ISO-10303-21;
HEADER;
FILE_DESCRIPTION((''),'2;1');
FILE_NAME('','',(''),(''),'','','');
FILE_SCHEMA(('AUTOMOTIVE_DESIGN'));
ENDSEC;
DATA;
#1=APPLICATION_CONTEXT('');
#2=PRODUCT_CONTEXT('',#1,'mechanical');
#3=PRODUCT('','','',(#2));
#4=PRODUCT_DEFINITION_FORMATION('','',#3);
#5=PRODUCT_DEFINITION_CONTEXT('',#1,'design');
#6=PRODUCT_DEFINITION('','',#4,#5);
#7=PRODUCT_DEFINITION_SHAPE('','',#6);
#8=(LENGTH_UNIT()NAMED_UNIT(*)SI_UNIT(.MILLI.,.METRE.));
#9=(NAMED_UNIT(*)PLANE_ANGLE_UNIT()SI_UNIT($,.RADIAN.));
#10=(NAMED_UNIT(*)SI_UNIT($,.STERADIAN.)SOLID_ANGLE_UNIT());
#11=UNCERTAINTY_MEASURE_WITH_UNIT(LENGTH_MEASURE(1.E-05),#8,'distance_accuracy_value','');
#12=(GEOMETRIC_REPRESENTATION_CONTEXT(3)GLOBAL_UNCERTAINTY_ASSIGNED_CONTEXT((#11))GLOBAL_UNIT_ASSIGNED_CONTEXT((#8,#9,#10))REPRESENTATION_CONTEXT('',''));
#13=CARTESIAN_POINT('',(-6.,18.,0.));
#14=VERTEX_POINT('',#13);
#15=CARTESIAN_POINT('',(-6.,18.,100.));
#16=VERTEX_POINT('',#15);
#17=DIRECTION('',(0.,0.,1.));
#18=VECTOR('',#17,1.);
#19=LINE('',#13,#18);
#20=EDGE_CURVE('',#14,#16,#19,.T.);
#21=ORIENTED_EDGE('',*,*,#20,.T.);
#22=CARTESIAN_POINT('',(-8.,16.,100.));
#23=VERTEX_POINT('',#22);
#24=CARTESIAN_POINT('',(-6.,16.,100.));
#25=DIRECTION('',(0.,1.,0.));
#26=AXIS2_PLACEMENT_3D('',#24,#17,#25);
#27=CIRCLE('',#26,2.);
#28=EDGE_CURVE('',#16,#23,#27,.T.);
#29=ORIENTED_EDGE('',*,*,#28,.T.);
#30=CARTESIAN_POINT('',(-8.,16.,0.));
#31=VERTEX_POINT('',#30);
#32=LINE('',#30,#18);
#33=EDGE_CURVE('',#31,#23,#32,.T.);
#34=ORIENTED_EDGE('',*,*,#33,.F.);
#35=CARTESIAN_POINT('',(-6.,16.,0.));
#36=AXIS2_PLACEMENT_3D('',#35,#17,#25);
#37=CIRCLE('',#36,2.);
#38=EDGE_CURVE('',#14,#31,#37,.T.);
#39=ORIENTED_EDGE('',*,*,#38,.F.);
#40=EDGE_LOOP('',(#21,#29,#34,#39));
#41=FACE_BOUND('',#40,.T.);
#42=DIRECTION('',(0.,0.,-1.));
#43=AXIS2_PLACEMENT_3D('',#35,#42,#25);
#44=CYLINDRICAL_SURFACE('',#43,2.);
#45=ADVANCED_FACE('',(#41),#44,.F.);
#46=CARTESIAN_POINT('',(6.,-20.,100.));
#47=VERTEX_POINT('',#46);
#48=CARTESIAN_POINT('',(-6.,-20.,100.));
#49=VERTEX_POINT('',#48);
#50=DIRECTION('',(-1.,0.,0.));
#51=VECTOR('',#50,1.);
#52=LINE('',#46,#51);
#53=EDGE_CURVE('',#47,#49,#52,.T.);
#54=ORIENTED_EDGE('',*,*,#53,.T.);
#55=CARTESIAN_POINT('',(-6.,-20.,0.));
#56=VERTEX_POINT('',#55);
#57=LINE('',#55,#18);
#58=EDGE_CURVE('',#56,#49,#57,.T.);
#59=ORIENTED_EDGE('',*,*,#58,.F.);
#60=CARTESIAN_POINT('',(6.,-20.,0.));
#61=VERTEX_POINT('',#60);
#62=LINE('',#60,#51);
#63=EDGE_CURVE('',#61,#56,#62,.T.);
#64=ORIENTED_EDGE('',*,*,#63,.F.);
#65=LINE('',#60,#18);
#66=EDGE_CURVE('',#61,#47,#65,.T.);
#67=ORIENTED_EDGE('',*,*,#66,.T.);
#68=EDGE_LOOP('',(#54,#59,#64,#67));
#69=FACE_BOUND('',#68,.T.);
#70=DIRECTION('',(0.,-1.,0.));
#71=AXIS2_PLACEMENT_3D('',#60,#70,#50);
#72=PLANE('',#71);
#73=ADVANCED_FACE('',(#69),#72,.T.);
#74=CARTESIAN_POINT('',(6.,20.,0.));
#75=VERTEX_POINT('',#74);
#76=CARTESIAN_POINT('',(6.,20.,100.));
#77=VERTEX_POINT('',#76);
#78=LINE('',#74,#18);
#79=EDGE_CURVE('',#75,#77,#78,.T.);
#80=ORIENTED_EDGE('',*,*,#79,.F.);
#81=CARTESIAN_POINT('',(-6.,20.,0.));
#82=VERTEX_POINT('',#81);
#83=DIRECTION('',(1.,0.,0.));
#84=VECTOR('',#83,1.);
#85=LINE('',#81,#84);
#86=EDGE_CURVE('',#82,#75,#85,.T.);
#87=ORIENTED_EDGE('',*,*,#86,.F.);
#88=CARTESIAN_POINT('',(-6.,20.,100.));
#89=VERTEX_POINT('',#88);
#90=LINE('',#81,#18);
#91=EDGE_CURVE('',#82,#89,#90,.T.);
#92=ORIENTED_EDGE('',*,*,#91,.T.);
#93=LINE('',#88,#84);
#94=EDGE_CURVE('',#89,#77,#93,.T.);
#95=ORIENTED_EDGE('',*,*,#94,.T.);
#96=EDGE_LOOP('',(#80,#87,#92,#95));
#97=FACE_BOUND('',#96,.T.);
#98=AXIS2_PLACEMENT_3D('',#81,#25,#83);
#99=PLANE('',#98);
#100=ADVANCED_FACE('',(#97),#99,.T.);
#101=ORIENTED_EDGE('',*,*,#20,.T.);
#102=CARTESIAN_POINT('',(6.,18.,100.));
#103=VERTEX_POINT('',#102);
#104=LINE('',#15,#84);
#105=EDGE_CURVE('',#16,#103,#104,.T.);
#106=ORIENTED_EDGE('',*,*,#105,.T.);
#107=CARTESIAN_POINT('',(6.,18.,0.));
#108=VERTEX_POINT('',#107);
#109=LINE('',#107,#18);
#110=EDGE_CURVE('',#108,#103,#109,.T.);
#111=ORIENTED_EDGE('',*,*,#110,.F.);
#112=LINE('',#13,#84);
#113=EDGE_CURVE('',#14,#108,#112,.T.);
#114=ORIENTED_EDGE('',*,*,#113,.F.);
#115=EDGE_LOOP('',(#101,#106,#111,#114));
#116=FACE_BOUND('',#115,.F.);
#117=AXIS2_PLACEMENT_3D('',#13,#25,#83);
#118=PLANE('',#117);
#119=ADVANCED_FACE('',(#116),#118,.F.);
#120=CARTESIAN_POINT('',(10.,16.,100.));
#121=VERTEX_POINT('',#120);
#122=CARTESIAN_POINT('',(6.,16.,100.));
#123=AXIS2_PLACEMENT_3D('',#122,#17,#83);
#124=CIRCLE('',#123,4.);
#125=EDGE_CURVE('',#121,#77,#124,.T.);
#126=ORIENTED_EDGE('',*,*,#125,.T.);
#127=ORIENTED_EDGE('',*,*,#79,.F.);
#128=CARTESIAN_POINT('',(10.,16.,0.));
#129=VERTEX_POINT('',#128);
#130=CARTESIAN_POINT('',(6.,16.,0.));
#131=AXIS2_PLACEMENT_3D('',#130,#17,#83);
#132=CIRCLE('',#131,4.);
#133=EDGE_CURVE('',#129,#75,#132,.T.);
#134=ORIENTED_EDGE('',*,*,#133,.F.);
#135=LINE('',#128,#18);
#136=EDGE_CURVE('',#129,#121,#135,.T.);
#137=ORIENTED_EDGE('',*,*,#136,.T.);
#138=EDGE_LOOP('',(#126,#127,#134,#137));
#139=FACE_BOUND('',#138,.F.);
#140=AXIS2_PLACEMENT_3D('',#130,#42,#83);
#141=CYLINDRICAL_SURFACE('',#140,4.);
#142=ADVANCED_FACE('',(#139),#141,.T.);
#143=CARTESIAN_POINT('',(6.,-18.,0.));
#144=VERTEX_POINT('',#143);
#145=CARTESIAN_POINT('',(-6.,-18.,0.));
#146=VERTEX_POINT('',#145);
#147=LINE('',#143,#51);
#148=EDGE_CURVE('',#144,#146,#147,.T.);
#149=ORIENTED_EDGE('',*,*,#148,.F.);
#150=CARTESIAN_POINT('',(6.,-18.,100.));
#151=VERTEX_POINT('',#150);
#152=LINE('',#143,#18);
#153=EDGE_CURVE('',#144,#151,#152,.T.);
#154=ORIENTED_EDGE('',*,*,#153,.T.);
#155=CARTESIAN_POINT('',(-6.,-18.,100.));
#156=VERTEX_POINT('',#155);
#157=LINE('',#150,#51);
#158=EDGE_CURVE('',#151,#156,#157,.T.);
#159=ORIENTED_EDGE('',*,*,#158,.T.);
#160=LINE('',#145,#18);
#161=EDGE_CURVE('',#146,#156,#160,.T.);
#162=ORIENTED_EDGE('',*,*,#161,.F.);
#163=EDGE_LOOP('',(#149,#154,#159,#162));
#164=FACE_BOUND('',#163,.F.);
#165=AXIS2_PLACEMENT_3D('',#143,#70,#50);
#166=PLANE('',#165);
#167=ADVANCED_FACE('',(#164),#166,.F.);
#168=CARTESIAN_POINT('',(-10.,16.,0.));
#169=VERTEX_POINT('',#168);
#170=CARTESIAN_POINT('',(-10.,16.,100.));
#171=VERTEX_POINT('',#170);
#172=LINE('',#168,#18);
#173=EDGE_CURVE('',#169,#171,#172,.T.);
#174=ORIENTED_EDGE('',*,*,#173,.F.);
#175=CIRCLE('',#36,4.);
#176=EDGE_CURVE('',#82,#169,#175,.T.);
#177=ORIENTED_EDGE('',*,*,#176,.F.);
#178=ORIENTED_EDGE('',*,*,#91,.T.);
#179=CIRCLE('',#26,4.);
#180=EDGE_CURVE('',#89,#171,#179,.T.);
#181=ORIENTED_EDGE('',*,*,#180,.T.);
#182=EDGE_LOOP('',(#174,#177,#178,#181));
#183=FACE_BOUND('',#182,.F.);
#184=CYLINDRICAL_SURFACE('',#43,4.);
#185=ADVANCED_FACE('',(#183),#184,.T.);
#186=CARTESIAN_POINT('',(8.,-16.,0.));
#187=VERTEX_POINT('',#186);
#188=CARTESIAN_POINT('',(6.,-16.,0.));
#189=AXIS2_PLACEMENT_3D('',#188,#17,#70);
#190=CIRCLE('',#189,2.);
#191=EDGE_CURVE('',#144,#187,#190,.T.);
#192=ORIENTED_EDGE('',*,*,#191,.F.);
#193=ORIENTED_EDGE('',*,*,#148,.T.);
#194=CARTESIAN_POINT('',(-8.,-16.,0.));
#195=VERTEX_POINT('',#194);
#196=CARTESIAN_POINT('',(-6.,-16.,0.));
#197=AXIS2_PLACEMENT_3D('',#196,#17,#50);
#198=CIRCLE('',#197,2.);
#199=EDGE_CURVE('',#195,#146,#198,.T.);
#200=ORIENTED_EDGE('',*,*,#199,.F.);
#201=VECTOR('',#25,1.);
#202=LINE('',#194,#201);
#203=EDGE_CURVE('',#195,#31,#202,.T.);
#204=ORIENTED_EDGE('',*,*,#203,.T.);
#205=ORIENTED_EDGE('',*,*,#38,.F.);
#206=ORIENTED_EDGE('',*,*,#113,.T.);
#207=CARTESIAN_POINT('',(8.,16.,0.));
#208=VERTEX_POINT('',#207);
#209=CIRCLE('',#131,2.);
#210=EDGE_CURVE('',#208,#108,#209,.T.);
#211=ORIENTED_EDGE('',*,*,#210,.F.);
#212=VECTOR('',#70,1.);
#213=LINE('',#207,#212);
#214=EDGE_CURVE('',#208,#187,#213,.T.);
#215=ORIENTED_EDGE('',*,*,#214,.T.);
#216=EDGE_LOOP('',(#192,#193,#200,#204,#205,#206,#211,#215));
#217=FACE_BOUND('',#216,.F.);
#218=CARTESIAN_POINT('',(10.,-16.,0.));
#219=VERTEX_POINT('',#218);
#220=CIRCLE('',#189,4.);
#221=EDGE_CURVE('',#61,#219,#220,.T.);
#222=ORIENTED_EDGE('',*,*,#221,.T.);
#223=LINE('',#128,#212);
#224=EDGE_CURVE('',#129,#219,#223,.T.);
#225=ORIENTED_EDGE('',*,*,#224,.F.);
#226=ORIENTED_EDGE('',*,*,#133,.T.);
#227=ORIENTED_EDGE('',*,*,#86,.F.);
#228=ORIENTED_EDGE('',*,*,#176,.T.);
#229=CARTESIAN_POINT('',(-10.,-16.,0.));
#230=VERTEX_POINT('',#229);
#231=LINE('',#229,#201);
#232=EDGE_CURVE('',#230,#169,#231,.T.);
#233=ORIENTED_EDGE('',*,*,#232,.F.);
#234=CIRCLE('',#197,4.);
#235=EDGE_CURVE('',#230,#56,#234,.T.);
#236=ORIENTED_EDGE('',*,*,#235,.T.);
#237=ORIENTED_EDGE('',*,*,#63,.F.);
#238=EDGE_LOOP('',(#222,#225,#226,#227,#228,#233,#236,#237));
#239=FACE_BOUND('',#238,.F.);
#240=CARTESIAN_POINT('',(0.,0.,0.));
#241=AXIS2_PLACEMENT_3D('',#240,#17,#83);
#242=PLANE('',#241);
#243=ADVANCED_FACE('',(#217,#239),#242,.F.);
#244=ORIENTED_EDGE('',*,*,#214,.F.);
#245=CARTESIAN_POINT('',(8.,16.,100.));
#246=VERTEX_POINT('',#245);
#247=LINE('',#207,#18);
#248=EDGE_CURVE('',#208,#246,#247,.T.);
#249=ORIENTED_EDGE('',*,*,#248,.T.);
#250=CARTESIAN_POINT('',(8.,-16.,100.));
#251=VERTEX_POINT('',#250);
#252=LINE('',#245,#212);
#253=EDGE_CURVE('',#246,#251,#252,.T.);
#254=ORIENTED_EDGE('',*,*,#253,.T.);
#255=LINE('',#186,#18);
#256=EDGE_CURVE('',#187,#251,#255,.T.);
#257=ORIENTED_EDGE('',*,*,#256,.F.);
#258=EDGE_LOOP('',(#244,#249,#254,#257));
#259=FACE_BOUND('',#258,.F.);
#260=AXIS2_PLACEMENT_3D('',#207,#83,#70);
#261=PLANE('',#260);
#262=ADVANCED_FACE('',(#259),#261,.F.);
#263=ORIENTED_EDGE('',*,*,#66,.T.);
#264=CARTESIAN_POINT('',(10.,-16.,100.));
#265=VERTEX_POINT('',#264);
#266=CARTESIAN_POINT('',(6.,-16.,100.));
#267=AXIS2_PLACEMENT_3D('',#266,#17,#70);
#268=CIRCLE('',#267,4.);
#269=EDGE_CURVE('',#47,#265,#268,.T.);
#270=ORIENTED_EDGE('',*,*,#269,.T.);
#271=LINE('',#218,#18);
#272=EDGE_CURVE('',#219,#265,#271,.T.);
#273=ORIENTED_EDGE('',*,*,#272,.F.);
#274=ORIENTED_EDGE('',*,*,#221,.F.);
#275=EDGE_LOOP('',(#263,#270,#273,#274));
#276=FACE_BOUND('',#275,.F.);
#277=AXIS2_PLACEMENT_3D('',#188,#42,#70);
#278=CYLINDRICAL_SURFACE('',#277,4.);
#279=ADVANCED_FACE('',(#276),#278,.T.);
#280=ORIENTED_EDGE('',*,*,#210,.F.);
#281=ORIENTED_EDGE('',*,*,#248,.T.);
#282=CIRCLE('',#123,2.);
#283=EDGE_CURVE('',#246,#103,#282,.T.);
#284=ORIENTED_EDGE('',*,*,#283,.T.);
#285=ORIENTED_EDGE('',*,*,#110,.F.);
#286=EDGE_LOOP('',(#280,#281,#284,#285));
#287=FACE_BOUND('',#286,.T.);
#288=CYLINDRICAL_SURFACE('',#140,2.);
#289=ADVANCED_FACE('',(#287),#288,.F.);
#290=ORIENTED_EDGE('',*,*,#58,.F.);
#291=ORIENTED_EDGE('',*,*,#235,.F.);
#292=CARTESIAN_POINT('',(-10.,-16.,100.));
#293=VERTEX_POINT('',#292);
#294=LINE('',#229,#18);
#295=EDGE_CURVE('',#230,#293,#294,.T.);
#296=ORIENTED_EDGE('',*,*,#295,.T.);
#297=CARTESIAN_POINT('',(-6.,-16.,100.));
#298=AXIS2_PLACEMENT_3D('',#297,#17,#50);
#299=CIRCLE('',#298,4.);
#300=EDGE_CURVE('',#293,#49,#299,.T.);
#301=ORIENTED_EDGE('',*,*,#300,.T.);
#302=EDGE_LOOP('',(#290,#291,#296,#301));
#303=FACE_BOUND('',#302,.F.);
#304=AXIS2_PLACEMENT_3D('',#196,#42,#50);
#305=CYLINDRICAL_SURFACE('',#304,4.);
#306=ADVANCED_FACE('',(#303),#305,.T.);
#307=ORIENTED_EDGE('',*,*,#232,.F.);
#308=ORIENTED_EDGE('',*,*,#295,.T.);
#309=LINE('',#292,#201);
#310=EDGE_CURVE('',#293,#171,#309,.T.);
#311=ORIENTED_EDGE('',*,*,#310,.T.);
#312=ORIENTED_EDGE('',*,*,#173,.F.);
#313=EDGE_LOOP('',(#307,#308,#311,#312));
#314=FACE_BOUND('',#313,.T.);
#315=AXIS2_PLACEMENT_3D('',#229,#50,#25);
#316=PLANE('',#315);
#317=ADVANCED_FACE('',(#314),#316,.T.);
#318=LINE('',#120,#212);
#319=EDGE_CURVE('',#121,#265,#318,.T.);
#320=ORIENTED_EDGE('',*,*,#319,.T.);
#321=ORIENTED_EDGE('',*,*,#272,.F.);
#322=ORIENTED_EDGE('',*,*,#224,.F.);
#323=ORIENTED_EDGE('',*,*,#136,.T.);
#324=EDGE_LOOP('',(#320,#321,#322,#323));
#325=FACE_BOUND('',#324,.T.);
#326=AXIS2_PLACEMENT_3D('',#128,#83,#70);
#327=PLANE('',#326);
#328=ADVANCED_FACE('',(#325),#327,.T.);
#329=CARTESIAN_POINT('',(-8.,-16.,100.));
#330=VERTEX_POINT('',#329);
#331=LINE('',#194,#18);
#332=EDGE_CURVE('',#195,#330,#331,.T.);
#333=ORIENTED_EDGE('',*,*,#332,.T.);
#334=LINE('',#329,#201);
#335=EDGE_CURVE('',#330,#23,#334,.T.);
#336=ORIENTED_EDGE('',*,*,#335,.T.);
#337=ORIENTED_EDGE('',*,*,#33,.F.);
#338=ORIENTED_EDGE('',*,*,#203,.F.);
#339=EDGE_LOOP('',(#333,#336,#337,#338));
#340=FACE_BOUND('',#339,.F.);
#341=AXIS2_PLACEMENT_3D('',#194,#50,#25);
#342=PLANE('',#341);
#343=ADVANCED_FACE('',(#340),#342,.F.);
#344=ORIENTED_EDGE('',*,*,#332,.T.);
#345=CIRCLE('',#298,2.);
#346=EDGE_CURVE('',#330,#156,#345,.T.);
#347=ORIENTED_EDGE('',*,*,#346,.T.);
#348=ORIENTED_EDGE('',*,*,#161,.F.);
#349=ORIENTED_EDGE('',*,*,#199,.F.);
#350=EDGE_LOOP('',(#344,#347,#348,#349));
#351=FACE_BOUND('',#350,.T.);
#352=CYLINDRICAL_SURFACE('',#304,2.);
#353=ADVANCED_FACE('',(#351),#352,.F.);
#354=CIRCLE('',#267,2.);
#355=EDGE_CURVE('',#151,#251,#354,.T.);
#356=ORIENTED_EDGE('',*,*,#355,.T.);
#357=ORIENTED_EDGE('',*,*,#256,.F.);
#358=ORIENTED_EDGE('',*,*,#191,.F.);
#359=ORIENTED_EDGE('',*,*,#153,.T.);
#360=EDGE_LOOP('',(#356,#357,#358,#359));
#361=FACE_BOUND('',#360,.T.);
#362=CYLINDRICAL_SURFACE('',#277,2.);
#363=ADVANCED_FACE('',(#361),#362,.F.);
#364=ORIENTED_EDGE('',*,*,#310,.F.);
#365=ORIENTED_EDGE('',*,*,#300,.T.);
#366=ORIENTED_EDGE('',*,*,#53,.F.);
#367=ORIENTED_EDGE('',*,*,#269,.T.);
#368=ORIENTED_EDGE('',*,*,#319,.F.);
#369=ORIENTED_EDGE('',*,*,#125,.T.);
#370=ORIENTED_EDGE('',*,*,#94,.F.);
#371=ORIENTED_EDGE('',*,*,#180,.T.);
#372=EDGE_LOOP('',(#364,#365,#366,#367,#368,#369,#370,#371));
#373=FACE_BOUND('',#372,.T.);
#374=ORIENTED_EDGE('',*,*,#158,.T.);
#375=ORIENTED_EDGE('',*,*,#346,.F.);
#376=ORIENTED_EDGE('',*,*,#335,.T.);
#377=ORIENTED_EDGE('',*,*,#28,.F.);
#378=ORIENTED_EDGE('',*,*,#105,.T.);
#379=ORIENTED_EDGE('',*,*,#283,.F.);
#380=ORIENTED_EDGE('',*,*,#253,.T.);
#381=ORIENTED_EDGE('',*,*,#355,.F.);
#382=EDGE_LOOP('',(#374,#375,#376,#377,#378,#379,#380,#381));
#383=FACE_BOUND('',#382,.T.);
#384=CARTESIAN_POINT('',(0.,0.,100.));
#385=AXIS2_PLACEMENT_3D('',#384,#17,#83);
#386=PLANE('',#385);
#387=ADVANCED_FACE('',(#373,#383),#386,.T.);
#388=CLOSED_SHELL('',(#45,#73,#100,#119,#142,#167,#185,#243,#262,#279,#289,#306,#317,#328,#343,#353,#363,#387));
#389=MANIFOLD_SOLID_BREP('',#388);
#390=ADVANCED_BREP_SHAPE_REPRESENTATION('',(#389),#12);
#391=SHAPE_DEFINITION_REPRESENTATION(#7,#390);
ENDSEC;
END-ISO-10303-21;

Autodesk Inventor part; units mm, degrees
ref_plane "YZ Plane" through (0, 0, 0) normal (1, 0, 0) x (0, 1, 0)
ref_plane "Начальная плоскость" through (0, 0, 0) normal (0, 0, 1) x (1, 0, 0)
ref_plane "Конечная плоскость" through (0, 0, 100) normal (0, 0, 1) x (1, 0, 0)
sketch "Эскиз" plane through (0, 0, 0) normal (0, 0, 1) x (1, 0, 0)
  line L0 (-10, -16) -> (-10, 16)
  line L1 (-6, 20) -> (6, 20)
  line L2 (10, 16) -> (10, -16)
  line L3 (6, -20) -> (-6, -20)
  arc A0 (-10, -16) -> (-6, -20) centre (-6, -16) ccw
  arc A1 (-6, 20) -> (-10, 16) centre (-6, 16) ccw
  arc A2 (10, 16) -> (6, 20) centre (6, 16) ccw
  arc A3 (6, -20) -> (10, -16) centre (6, -16) ccw
  arc A4 (-6, 18) -> (-8, 16) centre (-6, 16) ccw
  line L4 (-6, 18) -> (6, 18)
  arc A5 (8, 16) -> (6, 18) centre (6, 16) ccw
  line L5 (8, 16) -> (8, -16)
  arc A6 (6, -18) -> (8, -16) centre (6, -16) ccw
  line L6 (6, -18) -> (-6, -18)
  arc A7 (-8, -16) -> (-6, -18) centre (-6, -16) ccw
  line L7 (-8, -16) -> (-8, 16)
  line L8 (0, 29.1598) -> (0, -29.1598) construction
  line L9 (-15.1598, 0) -> (15.1598, 0) construction
  dimension "d7" = 4
  dimension "d10" = 40
  dimension "d11" = 20
  dimension "d12" = 2
  dimension "d15" = 20
  dimension "d16" = 10
extrude "Тело" add sketch "Эскиз" along normal up to surface (100 mm away) from surface at 0
sketch "Sketch3" plane through (0, 0, 0) normal (0, 0, 1) x (1, 0, 0)
  line L0 (0, 0) -> (10, 0)
ref_plane "Work Plane3" through (0, 0, 0) normal (0, -1, 0) x (1, 0, 0)
sketch "Sketch4" plane through (0, 0, 0) normal (0, -1, 0) x (1, 0, 0)
  line L0 (-2, 0) -> (12, 0) projected
  line L1 (-2, 100) -> (12, 100) projected
  dimension "d18" = 100
equation "\"d7\" = G_IR"
equation "\"d10\" = G_H"
equation "\"d11\" = G_W"
equation "\"d12\" = G_T"
equation "\"d15\" = 0.5 * d10"
equation "\"d16\" = 0.5 * d11"
equation "\"d3\" = G_L"
equation "\"G_W\" = 20"
equation "\"G_H\" = 40"
equation "\"G_T\" = 2"
equation "\"G_IR\" = 4"
equation "\"G_L\" = d18"
equation "\"G_OFFSET_START\" = 0"
equation "\"G_OFFSET_END\" = 0"
properties part number "DIN EN 10219-2 - 40 x 20 x 2  - 100" material "Нержавеющая сталь"
